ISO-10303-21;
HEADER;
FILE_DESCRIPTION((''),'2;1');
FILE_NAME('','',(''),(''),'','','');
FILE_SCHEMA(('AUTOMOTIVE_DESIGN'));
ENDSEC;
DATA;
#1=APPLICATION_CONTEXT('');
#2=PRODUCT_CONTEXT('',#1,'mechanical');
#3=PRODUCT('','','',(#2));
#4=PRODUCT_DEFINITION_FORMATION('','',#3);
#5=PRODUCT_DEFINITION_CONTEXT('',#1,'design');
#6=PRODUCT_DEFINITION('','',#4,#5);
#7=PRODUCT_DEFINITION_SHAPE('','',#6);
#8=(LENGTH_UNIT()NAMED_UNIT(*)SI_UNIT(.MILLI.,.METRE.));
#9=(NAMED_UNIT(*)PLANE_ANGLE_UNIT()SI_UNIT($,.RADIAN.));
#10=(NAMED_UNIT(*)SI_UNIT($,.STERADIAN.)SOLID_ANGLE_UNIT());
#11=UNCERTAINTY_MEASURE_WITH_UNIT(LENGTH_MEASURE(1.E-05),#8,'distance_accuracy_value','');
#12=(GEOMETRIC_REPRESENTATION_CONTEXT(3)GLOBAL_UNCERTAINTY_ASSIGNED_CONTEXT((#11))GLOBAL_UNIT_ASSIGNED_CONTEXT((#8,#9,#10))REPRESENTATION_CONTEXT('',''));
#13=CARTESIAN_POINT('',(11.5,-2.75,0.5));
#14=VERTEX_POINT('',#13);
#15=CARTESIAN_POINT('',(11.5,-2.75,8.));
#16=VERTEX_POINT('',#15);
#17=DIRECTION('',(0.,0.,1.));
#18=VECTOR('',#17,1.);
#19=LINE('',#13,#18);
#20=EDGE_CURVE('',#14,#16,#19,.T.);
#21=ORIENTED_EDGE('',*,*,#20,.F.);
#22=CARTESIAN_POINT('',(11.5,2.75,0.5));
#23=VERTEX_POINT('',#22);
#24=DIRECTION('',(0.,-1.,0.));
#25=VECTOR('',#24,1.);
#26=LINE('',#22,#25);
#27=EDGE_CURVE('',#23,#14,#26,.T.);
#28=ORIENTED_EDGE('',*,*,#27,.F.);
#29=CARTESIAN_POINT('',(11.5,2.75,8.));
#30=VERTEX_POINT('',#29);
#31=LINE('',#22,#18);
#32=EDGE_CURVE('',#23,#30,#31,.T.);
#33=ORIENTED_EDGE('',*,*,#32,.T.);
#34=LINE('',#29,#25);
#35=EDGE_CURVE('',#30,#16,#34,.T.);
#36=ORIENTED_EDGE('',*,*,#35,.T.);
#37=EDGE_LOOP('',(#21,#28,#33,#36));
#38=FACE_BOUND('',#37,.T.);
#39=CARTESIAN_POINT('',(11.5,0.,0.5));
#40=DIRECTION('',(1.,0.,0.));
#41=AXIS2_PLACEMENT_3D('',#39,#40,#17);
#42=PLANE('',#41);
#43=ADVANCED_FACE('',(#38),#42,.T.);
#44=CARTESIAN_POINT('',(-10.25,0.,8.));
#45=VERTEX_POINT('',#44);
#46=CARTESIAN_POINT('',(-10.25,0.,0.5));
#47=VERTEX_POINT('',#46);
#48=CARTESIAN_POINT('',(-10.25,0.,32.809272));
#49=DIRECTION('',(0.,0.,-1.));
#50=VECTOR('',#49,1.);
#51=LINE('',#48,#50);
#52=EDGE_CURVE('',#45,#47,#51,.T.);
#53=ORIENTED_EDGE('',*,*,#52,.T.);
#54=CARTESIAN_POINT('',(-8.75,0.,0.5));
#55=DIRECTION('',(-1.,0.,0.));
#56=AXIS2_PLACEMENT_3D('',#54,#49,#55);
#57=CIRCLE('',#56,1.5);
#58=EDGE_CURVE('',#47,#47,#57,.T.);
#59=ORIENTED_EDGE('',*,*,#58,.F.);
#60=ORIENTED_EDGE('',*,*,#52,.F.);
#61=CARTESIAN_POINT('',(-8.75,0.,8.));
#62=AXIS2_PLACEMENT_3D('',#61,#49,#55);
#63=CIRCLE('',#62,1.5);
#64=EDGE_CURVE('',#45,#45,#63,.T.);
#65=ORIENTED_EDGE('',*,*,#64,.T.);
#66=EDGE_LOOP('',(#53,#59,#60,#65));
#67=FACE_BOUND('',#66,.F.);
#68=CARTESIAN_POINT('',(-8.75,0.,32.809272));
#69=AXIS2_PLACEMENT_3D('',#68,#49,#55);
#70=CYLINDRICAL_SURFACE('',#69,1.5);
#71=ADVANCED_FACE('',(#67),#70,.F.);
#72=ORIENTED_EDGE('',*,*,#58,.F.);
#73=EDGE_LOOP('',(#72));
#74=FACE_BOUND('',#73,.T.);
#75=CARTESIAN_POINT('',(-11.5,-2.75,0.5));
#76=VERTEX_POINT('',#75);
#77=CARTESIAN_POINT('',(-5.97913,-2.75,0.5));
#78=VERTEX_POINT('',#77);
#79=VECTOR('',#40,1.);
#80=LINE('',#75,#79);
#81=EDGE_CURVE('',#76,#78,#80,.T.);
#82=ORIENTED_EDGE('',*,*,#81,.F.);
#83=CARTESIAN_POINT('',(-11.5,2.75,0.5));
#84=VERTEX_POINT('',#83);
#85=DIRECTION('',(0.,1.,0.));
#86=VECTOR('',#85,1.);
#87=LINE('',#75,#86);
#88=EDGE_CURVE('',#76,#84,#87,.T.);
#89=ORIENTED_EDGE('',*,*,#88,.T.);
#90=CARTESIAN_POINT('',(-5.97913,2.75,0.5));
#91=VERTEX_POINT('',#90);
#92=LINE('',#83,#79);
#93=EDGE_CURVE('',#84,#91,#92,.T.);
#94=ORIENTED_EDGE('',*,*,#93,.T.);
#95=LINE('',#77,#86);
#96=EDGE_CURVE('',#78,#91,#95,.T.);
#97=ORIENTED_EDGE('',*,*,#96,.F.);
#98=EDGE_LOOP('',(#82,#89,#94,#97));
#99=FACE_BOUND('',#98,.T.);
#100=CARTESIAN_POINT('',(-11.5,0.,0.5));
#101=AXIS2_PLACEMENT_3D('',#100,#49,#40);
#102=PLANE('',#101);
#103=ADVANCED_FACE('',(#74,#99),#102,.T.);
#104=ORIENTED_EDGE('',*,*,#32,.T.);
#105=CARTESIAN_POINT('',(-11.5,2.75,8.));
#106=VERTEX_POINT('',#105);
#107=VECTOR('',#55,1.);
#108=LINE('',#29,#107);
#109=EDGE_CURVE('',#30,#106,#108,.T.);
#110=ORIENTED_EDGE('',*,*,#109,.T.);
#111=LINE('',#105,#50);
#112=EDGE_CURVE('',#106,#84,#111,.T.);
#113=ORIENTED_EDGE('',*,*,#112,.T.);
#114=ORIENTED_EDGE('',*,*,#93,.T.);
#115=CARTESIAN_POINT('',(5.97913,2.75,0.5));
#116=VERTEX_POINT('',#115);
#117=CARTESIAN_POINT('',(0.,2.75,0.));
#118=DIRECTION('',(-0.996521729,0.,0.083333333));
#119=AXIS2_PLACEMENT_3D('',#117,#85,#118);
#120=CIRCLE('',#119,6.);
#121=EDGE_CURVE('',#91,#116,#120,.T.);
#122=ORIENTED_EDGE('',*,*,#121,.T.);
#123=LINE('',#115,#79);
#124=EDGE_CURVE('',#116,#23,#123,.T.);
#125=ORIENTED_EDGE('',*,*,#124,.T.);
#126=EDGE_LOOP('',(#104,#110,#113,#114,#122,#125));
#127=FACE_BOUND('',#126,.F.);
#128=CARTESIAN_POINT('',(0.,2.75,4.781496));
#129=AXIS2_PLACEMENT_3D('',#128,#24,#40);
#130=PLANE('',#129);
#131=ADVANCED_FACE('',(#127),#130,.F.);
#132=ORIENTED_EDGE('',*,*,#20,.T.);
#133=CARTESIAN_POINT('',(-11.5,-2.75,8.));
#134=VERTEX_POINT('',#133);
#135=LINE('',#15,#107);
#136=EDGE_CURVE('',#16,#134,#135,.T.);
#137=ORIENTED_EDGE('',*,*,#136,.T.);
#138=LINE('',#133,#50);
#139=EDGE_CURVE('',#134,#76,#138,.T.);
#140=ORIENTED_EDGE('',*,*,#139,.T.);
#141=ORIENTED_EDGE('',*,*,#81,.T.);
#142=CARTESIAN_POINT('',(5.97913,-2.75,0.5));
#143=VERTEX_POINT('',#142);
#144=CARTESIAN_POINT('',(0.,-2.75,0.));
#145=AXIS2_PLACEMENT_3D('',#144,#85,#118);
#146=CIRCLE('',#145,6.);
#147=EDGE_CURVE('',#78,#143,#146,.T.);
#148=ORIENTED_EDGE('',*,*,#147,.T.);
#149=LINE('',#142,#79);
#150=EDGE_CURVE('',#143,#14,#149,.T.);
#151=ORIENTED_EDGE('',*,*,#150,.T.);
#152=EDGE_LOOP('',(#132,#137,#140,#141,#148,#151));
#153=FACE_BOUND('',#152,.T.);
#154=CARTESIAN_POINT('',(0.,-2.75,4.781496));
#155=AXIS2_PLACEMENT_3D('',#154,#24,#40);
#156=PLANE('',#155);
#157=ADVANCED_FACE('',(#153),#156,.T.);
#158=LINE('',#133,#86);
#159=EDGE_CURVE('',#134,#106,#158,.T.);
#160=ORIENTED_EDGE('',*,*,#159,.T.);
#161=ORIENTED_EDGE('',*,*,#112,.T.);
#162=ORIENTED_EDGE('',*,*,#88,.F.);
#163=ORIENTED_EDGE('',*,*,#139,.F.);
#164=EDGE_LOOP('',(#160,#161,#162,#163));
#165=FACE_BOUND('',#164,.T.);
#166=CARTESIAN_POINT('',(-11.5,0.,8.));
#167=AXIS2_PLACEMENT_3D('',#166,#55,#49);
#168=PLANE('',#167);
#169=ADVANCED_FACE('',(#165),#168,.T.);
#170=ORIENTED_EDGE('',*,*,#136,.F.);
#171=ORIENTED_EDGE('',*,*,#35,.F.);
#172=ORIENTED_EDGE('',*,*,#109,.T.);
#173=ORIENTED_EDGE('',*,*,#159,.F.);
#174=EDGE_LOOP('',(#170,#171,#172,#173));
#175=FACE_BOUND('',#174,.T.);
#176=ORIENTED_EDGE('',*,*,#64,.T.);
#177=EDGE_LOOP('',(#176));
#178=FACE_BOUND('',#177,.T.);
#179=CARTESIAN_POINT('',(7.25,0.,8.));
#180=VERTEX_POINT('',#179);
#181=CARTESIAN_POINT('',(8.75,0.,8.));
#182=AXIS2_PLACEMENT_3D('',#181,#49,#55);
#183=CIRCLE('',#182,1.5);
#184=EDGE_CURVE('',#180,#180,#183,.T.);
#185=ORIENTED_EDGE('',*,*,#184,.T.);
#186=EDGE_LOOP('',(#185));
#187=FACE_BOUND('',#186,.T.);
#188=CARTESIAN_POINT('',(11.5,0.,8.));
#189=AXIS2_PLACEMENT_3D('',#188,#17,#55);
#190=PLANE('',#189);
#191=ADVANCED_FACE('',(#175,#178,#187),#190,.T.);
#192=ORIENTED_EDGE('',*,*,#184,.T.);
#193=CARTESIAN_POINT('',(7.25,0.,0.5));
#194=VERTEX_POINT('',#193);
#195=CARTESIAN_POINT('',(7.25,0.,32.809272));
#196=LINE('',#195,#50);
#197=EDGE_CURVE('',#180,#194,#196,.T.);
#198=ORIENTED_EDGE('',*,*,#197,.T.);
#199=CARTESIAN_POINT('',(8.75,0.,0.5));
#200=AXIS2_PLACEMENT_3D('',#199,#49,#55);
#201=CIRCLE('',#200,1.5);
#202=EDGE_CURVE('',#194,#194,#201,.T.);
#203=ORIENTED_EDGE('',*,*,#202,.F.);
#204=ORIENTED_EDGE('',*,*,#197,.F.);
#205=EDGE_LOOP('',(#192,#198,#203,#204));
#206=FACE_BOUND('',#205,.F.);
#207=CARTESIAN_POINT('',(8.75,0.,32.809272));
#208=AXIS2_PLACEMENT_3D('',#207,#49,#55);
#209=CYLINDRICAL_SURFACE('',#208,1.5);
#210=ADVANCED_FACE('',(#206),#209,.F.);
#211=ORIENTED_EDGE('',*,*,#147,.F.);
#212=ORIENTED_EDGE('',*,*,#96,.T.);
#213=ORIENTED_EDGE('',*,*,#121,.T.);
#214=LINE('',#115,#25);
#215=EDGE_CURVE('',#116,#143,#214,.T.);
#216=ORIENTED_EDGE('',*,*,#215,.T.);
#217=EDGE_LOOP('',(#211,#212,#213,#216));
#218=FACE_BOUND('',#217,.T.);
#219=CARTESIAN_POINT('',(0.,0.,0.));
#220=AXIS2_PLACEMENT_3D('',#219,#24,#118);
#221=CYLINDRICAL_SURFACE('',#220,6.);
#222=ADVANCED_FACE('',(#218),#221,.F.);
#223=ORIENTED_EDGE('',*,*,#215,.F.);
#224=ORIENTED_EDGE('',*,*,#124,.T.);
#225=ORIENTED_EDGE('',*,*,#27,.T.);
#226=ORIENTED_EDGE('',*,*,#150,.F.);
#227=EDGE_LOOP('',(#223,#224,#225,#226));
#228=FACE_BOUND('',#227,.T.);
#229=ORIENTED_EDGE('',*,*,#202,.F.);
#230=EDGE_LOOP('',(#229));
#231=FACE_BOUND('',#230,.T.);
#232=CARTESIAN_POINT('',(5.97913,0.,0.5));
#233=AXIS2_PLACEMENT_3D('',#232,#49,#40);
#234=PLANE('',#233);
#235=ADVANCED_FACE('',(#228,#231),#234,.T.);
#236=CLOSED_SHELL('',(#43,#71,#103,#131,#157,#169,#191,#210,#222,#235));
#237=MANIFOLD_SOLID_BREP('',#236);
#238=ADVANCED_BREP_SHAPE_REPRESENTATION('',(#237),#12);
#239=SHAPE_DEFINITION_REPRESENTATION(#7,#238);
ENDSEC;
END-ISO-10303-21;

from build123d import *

# Parameters (mm, degrees)
F2_DEPTH = 2.75
F4_D     = 3


with BuildPart() as f2:
    # F1 (on Front) → F2 (new body, symmetric)
    with BuildSketch(Plane.XZ):
        with BuildLine():
            ThreePointArc((-5.9791303716, 0.5), (0, 6), (5.9791303716, 0.5))
            Line((5.9791303716, 0.5), (11.5, 0.5))
            Line((11.5, 0.5), (11.5, 8))
            Line((11.5, 8), (-11.5, 8))
            Line((-11.5, 8), (-11.5, 0.5))
            Line((-11.5, 0.5), (-5.9791303716, 0.5))
        make_face()
    extrude(amount=F2_DEPTH, both=True)

    # F4 (through all)
    with Locations(Plane.XY.offset(8)):
        with Locations((-8.75, 0), (8.75, 0)):
            Hole(F4_D / 2)


solid = f2.part
